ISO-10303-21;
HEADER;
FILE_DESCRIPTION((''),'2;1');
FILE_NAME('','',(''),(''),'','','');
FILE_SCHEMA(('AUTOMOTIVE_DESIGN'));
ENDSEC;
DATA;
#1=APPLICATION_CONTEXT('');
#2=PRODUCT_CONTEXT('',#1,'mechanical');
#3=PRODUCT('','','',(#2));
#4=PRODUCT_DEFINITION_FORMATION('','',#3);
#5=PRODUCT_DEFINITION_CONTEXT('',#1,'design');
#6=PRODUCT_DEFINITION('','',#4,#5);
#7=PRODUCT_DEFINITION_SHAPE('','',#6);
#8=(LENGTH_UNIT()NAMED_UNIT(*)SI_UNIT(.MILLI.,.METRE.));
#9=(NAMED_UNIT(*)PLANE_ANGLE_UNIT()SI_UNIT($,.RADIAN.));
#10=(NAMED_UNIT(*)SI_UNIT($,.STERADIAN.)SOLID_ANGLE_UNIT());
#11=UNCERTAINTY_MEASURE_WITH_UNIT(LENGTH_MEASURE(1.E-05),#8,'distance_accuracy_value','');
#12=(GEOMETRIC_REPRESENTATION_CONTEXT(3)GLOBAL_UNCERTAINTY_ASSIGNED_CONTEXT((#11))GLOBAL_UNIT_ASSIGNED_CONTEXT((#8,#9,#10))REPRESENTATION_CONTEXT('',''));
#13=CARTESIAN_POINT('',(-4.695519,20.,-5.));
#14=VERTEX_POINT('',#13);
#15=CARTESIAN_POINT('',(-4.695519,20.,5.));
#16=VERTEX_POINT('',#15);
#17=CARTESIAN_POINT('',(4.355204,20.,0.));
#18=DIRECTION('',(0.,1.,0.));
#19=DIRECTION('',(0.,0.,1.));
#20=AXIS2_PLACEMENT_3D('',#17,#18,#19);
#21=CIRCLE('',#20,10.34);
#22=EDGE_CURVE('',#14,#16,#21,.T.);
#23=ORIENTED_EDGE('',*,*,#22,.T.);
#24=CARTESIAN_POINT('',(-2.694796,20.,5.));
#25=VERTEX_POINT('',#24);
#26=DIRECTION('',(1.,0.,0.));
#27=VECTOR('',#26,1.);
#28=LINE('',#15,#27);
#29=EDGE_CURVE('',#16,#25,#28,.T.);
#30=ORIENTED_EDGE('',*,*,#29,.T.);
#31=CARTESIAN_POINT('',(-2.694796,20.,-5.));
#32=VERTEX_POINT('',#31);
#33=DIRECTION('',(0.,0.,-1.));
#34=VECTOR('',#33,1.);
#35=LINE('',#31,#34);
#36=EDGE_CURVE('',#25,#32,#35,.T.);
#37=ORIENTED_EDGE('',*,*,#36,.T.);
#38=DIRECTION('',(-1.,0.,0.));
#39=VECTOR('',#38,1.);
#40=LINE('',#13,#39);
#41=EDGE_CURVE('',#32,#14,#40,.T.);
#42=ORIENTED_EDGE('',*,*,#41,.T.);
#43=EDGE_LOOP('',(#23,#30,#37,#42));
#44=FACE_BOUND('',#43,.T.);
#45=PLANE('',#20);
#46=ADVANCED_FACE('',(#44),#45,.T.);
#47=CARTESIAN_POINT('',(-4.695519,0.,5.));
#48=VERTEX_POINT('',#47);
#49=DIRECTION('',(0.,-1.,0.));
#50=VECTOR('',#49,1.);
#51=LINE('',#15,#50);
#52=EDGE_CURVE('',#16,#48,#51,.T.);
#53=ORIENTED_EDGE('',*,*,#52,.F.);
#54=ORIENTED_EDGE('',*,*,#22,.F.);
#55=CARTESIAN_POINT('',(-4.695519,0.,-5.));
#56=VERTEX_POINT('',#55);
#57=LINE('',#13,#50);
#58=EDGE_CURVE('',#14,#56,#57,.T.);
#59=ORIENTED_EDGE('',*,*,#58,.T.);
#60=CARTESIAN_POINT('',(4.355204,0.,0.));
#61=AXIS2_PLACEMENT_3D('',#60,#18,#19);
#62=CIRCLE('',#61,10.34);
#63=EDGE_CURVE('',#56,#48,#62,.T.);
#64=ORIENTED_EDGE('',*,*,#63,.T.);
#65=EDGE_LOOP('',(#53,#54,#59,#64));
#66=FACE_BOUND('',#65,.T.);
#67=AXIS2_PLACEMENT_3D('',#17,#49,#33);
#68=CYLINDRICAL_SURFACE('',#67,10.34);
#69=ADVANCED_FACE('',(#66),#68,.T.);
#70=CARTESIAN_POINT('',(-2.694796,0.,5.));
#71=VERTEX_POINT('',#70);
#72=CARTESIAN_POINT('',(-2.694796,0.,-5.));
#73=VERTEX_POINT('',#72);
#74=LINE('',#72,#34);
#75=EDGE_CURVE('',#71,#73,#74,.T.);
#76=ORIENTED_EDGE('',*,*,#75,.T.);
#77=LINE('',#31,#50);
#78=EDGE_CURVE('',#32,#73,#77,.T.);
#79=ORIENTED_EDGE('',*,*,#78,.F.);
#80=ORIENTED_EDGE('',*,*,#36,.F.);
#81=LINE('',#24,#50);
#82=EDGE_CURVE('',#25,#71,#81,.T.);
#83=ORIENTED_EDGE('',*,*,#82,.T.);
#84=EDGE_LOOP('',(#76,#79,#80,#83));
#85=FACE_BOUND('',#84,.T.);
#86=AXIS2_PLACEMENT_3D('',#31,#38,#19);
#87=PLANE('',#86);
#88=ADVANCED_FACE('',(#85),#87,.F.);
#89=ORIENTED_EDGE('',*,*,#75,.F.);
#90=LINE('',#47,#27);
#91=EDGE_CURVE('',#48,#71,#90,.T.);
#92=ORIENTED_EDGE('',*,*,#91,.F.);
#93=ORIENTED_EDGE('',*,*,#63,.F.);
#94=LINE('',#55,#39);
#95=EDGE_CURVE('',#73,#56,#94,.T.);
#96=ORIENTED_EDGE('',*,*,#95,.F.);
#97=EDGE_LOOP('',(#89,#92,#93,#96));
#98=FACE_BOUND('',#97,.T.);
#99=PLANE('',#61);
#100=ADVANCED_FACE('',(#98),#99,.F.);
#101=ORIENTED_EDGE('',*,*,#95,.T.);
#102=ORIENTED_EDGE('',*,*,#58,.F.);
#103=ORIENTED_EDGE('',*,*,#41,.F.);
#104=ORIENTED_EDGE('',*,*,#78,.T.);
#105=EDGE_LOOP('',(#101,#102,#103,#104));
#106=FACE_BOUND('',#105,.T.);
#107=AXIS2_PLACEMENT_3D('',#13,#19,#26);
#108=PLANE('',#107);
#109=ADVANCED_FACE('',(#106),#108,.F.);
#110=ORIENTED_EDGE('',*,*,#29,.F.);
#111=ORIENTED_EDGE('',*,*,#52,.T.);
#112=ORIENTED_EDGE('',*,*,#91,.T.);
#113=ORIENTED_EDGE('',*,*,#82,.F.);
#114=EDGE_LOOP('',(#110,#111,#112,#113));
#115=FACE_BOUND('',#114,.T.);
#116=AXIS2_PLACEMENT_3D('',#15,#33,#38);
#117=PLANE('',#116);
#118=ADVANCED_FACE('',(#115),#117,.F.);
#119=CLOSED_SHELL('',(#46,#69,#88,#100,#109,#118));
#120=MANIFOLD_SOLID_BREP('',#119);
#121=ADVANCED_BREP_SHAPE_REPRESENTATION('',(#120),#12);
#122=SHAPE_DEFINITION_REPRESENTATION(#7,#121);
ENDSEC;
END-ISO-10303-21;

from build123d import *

# Parameters (mm, degrees)
EXTRUDE_1_DEPTH = 20


with BuildPart() as part:
    # 草图1 → 凸台-拉伸1 (new body)
    with BuildSketch(Plane(origin=(0, 0, 0), x_dir=(1, 0, 0), z_dir=(0, 1, 0))):
        with BuildLine():
            Line((-4.695519393, 5), (-2.694795665, 5))
            Line((-2.694795665, 5), (-2.694795665, -5))
            Line((-2.694795665, -5), (-4.695519393, -5))
            ThreePointArc((-4.695519393, -5), (-5.984795665, 0), (-4.695519393, 5))
        make_face()
    extrude(amount=EXTRUDE_1_DEPTH)


solid = part.part
